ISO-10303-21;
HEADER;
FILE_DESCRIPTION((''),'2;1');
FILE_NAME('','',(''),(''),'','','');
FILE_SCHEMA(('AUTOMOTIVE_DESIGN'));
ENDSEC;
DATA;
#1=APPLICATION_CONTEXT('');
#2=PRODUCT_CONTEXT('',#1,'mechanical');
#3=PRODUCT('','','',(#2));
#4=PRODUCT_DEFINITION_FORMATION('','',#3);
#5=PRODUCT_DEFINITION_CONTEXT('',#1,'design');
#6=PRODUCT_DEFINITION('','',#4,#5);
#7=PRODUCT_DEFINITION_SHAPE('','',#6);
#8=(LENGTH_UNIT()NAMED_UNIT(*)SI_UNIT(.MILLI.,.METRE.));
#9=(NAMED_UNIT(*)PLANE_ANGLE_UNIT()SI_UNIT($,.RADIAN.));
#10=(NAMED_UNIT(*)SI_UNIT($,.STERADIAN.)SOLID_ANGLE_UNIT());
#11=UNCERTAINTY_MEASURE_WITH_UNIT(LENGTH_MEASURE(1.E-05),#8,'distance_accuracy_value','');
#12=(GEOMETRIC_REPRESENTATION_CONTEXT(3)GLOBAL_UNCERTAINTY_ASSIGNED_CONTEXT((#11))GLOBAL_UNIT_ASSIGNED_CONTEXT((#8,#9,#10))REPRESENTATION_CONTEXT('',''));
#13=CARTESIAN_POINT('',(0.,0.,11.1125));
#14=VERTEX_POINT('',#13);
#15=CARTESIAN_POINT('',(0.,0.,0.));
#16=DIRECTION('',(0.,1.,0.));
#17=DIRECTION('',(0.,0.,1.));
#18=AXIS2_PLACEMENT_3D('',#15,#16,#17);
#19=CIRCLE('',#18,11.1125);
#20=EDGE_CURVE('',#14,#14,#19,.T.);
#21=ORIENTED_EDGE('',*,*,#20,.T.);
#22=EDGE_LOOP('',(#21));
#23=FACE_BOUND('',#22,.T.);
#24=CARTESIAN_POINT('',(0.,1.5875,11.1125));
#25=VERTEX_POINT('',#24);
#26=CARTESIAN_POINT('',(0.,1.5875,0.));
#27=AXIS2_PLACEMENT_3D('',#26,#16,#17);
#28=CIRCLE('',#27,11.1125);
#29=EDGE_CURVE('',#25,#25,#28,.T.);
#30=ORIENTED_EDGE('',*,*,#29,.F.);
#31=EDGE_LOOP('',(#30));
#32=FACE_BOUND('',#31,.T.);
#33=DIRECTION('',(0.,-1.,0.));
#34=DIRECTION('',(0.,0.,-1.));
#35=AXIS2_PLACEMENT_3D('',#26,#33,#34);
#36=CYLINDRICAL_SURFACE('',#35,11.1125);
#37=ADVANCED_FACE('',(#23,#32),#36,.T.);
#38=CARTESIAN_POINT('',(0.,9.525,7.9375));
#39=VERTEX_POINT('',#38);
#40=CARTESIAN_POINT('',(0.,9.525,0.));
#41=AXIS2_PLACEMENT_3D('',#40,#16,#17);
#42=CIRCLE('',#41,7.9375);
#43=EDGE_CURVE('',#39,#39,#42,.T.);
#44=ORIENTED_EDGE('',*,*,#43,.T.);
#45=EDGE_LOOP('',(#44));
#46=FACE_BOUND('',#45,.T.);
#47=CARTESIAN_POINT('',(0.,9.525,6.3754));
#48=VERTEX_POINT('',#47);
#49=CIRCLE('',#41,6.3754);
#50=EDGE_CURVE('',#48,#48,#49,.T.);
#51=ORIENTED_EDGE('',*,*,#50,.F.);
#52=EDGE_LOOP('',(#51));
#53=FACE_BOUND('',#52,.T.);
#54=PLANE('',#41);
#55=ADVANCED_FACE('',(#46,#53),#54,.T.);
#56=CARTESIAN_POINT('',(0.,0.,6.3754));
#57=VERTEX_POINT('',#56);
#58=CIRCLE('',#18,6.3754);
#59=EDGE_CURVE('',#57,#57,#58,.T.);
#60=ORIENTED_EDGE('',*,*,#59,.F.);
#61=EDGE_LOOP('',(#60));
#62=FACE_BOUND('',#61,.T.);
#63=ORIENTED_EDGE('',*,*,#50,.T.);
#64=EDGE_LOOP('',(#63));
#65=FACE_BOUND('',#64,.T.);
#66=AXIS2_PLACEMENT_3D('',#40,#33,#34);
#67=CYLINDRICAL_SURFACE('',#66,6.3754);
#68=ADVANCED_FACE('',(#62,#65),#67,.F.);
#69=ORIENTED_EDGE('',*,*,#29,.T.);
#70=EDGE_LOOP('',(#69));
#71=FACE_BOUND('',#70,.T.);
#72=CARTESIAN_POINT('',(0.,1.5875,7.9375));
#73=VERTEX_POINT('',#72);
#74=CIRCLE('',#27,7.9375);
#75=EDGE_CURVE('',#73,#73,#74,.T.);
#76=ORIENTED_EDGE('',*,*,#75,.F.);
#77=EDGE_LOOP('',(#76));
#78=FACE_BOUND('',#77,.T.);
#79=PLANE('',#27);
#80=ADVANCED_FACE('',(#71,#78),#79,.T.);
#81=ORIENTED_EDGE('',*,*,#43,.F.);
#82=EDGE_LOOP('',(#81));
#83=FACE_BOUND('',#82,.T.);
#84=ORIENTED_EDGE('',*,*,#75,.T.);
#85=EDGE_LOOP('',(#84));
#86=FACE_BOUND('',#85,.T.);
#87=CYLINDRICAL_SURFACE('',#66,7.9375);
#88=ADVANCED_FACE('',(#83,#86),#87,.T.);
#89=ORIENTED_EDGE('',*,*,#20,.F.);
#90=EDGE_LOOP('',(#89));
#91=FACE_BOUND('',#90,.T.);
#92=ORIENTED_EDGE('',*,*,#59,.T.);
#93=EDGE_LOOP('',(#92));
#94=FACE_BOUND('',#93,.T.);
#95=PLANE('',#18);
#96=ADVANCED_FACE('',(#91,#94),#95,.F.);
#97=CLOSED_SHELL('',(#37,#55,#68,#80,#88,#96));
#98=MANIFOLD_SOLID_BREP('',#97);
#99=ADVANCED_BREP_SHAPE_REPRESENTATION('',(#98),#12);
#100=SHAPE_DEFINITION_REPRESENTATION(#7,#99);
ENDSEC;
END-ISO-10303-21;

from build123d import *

# Parameters (mm, degrees)
SKETCH2_R           = 7.9375
SKETCH2_R_2         = 6.3754
BOSS_EXTRUDE1_DEPTH = 9.525
SKETCH3_R           = 11.1125
SKETCH3_R_2         = 7.9375
BOSS_EXTRUDE2_DEPTH = 1.5875


with BuildPart() as part:
    # Sketch2 → Boss-Extrude1 (new body)
    with BuildSketch(Plane(origin=(0, 0, 0), x_dir=(1, 0, 0), z_dir=(0, 1, 0))):
        Circle(SKETCH2_R)
        Circle(SKETCH2_R_2, mode=Mode.SUBTRACT)
    extrude(amount=BOSS_EXTRUDE1_DEPTH)

    # Sketch3 → Boss-Extrude2 (add)
    with BuildSketch(Plane(origin=(0, 0, 0), x_dir=(1, 0, 0), z_dir=(0, 1, 0))):
        Circle(SKETCH3_R)
        Circle(SKETCH3_R_2, mode=Mode.SUBTRACT)
    extrude(amount=BOSS_EXTRUDE2_DEPTH)


solid = part.part
